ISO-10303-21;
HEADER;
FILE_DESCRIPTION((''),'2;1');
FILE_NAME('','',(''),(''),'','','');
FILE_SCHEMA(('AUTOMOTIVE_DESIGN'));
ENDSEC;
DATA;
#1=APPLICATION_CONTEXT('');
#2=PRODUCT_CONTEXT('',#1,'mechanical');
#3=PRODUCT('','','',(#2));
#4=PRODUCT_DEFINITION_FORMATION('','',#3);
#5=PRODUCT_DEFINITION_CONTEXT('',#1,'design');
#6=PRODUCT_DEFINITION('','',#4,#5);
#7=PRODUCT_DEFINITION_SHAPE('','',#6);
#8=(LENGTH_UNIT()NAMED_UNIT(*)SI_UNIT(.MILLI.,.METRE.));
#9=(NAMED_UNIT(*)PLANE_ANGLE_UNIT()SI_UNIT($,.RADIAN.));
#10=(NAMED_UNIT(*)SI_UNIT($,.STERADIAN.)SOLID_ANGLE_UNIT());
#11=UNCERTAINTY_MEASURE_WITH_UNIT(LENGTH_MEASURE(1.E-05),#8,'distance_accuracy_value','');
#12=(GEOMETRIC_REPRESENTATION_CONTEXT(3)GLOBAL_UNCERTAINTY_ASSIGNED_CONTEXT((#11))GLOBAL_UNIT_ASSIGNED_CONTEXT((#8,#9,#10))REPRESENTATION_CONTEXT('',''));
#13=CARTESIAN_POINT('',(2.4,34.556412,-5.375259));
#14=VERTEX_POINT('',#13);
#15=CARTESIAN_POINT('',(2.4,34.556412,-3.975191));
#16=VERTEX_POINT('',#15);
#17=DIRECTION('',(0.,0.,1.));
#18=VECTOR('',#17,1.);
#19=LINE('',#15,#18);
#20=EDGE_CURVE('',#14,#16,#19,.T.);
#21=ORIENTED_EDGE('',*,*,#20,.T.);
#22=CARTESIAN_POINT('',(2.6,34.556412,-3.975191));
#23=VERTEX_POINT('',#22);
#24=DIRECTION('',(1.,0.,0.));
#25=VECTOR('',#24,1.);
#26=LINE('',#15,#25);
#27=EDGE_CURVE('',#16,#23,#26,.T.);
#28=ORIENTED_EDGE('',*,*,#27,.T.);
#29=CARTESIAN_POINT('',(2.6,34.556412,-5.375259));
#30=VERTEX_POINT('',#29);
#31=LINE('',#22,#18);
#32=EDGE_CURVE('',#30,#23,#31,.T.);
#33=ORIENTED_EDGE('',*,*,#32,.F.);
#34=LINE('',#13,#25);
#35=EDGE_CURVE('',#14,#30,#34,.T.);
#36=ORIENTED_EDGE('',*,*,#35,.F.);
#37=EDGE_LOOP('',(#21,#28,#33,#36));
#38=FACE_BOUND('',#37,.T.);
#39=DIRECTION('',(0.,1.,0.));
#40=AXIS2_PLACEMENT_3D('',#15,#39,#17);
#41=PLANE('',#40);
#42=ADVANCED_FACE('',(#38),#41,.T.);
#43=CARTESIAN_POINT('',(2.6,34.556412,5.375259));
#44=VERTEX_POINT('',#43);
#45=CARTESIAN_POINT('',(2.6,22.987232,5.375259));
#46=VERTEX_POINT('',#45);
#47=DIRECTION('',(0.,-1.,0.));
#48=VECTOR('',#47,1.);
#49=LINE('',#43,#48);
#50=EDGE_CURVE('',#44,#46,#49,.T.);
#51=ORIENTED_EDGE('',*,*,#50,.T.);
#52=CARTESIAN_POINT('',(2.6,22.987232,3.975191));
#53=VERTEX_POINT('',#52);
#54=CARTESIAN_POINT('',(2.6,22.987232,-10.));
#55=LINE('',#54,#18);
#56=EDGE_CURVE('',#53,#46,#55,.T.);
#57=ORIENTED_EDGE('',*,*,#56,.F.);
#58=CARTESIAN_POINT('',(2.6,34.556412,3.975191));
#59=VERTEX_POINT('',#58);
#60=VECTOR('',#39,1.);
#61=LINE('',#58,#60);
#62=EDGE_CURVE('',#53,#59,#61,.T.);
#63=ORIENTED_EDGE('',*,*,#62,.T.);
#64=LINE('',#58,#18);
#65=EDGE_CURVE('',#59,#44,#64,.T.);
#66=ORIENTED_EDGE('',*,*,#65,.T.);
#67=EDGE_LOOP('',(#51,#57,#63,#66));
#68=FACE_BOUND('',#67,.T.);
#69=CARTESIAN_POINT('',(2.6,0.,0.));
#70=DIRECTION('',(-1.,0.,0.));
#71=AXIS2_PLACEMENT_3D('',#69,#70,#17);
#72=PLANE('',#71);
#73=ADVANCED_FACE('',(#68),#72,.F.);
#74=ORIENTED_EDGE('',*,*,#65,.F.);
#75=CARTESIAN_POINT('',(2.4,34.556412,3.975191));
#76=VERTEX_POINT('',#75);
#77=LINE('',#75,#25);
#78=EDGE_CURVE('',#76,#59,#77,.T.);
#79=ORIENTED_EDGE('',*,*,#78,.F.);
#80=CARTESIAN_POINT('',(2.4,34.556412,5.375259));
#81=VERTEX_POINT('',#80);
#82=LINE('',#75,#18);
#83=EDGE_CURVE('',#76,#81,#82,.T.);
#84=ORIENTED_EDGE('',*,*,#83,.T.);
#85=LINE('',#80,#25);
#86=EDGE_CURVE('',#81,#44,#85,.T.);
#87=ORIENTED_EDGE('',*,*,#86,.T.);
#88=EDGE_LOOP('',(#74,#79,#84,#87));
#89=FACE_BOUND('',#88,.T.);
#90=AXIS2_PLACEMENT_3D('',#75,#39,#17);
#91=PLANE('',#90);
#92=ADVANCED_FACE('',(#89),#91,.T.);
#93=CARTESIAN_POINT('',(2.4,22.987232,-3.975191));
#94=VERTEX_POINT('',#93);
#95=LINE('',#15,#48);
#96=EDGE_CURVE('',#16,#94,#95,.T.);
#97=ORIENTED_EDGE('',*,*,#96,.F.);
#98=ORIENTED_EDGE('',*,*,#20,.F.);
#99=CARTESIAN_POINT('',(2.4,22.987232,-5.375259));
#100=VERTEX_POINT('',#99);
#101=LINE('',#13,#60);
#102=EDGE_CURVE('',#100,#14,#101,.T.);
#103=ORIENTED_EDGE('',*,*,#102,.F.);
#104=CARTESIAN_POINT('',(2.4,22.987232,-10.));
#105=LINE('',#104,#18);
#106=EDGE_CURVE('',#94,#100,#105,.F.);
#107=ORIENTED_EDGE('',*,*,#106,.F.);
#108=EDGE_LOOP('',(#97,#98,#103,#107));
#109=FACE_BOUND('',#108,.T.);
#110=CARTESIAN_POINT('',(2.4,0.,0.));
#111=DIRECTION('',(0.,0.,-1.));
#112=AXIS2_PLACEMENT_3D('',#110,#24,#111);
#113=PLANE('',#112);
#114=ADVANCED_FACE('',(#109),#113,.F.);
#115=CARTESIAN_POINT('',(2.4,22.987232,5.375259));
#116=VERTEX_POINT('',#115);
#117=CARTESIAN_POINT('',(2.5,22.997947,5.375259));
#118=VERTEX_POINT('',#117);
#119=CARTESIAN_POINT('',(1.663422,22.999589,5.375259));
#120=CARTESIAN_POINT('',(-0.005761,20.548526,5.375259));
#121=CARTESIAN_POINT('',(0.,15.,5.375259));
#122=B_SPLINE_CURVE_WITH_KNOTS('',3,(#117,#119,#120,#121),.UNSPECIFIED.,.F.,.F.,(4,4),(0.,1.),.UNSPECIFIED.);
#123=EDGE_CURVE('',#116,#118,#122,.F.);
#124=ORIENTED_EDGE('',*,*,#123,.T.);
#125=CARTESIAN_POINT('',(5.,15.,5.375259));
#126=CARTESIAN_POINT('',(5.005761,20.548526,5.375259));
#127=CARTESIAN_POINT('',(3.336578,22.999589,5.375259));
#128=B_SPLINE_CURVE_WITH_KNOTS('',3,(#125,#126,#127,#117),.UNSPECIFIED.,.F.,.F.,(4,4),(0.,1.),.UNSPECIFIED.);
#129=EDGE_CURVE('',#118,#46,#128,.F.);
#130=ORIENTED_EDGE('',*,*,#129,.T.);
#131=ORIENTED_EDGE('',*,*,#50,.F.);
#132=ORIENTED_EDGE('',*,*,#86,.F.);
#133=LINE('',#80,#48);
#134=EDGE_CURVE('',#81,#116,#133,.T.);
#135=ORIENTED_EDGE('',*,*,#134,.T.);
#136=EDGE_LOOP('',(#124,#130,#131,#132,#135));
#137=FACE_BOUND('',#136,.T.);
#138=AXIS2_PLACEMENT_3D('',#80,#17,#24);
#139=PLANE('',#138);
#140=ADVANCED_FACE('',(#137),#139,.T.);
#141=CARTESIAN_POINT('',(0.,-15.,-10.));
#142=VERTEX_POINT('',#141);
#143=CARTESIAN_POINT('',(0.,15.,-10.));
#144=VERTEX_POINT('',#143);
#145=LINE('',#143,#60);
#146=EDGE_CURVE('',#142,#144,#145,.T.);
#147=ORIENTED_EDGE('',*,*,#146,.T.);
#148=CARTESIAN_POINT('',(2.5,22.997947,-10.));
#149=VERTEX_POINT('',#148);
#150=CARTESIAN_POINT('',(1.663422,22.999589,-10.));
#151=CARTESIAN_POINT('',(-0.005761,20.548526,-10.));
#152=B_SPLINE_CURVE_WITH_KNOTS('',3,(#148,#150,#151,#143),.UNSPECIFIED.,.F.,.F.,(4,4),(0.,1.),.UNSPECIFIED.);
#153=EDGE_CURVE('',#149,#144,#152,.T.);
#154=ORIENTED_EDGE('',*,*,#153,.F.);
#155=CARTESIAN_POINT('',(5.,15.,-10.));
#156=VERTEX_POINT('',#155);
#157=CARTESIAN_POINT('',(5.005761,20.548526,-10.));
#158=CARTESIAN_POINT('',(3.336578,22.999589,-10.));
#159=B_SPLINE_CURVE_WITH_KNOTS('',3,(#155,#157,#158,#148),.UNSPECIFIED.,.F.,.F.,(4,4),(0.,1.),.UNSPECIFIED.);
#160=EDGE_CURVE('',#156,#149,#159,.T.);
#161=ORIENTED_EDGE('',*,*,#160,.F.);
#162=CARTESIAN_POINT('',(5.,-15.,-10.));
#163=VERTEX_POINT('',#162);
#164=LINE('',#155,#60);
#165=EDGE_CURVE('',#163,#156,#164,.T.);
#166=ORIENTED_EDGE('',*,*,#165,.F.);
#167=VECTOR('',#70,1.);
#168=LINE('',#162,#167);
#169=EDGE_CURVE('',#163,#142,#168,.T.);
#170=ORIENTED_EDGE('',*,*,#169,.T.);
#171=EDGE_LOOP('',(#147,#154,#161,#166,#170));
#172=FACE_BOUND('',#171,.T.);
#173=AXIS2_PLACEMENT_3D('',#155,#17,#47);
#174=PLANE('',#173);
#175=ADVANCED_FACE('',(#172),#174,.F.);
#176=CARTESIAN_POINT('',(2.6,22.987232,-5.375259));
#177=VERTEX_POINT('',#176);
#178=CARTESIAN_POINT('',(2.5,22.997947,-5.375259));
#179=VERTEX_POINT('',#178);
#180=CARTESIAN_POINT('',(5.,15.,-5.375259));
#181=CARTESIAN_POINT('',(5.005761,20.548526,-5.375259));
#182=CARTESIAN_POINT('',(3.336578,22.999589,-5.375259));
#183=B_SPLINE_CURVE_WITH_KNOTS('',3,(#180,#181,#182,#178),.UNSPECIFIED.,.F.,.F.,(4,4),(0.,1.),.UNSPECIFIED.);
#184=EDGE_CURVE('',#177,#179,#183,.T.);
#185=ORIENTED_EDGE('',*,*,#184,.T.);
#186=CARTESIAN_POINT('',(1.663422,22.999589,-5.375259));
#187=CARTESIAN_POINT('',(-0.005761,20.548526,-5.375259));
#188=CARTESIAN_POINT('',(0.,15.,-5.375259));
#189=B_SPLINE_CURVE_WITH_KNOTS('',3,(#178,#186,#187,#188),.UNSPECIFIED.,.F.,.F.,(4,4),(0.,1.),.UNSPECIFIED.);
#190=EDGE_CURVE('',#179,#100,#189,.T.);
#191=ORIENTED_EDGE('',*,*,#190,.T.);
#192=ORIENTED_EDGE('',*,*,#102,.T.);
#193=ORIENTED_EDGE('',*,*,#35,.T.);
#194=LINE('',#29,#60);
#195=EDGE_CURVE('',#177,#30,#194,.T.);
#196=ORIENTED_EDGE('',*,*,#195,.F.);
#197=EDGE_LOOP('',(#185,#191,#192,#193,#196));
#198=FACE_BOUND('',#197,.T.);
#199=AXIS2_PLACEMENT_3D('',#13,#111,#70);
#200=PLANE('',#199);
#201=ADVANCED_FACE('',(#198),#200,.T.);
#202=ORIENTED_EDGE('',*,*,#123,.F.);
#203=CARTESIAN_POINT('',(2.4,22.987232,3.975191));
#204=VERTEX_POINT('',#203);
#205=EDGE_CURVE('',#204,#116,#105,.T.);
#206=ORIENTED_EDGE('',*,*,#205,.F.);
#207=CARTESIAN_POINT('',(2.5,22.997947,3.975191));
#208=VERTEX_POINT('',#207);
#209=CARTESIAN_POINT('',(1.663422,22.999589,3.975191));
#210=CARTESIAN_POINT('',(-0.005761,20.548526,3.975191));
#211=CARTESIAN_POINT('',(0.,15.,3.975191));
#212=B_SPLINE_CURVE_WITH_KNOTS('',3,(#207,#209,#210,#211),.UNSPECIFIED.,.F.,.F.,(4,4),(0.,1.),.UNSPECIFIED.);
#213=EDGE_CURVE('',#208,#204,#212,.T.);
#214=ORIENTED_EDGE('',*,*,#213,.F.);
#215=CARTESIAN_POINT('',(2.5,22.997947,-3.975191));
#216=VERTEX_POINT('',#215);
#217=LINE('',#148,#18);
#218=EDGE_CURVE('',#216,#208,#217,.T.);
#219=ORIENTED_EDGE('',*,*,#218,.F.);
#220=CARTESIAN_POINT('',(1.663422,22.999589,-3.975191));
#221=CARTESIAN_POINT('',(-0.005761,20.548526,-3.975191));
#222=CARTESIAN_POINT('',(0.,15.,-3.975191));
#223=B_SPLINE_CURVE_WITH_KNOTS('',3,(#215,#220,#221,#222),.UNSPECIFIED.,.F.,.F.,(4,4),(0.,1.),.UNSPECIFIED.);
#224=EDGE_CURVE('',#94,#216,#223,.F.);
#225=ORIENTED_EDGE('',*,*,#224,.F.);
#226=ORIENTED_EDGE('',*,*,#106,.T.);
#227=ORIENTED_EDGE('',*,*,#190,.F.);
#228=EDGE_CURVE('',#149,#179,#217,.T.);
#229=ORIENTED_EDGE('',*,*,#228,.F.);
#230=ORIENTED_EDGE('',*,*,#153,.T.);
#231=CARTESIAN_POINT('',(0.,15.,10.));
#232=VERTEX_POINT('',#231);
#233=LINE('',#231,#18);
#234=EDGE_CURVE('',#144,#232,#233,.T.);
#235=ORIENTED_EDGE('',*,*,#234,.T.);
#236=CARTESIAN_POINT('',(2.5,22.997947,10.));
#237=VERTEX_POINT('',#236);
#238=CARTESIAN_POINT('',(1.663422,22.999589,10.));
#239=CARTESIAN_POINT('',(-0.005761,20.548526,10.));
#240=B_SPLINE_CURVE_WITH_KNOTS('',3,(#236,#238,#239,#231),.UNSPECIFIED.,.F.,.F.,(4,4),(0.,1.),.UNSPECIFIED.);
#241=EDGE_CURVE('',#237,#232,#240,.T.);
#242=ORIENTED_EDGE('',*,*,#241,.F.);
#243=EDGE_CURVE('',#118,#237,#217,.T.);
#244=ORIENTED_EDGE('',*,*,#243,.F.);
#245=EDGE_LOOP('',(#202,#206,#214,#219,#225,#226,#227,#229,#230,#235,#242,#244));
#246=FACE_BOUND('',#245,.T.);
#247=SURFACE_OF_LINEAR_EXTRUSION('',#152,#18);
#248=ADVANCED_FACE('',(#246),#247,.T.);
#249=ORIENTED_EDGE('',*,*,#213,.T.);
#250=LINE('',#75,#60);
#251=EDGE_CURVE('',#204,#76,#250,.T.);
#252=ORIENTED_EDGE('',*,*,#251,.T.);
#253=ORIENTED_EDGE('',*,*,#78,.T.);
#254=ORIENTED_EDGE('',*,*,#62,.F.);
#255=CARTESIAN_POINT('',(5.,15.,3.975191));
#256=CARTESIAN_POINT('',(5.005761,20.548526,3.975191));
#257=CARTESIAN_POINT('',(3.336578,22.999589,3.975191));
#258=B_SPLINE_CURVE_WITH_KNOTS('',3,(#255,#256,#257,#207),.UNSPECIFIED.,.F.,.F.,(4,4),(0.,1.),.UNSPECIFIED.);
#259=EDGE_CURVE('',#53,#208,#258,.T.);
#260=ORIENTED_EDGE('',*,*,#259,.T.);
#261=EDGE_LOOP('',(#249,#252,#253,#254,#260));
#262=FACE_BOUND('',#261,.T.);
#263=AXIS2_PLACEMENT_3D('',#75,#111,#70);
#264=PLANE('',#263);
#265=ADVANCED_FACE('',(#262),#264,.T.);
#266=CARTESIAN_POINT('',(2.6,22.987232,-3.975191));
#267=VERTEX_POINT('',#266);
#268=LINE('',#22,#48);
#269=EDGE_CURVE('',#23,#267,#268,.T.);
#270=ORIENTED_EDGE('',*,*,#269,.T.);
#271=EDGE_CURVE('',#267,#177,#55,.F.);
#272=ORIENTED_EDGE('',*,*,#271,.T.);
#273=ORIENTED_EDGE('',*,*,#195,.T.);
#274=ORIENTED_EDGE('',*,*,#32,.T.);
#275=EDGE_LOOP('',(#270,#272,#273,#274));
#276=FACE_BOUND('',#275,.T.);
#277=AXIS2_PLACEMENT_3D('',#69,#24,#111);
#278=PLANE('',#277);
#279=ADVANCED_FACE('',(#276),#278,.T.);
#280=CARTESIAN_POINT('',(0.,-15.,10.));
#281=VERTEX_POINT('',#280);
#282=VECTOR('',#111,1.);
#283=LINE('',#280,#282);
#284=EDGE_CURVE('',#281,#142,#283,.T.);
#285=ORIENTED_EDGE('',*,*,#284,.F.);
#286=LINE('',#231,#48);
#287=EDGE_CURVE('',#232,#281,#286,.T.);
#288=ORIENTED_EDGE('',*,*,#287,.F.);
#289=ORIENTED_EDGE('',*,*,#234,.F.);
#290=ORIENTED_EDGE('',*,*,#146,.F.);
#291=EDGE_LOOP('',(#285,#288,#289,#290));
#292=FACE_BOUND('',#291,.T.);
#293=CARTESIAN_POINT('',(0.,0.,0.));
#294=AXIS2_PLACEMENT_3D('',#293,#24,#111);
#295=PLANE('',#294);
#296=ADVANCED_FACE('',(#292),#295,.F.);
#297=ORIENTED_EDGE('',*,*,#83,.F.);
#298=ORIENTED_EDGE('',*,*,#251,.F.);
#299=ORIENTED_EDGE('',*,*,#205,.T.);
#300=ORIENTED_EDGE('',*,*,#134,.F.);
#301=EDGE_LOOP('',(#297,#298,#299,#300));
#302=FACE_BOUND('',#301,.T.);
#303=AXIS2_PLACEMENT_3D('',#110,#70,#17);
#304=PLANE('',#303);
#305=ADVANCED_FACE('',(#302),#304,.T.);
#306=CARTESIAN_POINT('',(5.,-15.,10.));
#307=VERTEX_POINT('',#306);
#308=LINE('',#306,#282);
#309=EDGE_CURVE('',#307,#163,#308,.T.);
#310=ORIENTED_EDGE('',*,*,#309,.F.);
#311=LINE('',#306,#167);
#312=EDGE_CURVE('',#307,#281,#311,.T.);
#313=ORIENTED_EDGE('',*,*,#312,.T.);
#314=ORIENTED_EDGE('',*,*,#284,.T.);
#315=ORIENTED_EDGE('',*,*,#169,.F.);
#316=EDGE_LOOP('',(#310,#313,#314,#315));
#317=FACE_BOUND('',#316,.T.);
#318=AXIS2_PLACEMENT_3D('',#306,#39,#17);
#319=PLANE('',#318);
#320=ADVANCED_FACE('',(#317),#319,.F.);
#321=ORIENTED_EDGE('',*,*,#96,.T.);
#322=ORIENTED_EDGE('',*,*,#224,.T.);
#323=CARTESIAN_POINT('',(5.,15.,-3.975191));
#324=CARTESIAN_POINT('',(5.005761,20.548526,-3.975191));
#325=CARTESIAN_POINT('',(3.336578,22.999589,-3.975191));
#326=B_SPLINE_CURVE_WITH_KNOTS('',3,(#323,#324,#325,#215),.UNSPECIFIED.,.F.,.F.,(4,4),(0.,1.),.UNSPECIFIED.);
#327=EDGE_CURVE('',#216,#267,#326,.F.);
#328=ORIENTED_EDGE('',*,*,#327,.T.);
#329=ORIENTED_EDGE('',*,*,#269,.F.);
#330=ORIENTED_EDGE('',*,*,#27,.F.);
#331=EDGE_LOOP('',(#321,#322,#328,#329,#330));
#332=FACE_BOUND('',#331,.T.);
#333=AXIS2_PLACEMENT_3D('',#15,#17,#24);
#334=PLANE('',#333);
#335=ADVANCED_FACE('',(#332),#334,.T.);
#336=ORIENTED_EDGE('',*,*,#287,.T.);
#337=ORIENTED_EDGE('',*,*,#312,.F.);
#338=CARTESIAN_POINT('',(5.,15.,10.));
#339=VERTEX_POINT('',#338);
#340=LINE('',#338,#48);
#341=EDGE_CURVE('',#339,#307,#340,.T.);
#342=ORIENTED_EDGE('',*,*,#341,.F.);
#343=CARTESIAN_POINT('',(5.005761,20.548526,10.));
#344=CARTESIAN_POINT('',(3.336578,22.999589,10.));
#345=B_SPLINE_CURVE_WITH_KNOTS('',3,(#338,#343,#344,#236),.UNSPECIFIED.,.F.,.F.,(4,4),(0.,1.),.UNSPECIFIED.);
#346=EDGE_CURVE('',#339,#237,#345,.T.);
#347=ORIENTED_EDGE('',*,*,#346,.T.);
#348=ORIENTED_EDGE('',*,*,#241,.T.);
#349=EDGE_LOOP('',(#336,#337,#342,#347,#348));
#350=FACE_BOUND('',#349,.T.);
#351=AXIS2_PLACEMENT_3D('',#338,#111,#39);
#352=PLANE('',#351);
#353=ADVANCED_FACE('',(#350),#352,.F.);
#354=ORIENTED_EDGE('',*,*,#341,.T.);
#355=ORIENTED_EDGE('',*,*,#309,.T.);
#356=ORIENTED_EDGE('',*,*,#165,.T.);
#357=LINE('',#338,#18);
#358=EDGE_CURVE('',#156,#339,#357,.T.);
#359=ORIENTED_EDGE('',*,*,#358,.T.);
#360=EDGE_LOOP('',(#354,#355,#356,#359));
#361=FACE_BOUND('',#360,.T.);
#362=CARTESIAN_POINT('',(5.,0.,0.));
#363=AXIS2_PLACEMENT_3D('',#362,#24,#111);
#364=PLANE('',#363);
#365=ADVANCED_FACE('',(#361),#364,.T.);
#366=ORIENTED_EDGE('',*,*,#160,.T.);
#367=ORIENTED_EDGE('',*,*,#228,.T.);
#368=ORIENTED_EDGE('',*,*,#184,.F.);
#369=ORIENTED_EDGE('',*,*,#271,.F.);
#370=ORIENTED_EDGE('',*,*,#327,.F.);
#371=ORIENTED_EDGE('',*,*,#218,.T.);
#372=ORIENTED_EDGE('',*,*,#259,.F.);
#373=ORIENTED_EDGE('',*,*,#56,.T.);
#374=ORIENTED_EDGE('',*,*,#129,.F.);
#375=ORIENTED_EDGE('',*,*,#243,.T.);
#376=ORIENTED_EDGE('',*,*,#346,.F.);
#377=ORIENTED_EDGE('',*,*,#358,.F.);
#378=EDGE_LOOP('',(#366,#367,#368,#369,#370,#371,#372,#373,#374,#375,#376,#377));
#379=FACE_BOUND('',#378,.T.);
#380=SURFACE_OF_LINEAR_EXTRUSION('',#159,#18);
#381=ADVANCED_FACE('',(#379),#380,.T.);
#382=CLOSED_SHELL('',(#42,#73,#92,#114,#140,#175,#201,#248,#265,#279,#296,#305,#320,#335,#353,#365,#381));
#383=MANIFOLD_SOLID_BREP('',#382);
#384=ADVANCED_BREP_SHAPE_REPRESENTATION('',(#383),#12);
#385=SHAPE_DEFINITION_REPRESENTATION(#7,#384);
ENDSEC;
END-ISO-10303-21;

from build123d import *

# Parameters (mm, degrees)
SKETCH1_W                = 20
SKETCH1_H                = 30
BOSS_EXTRUDE1_DEPTH      = 5
BOSS_EXTRUDE2_DEPTH      = 10
BOSS_EXTRUDE2_DEPTH_BACK = 10
BOSS_EXTRUDE3_DEPTH      = 0.1
BOSS_EXTRUDE3_DEPTH_BACK = 0.1
SKETCH4_W                = 1.400067445
SKETCH4_H                = 17.511954704


with BuildPart() as part:
    # Sketch1 → Boss-Extrude1 (new body)
    with BuildSketch(Plane(origin=(0, 0, 0), x_dir=(0, 0, -1), z_dir=(1, 0, 0))):
        Rectangle(SKETCH1_W, SKETCH1_H)
    extrude(amount=BOSS_EXTRUDE1_DEPTH)

    # Sketch3 → Boss-Extrude2 (add, two sides: drawn at the far end of the back side and taken through both)
    with BuildSketch(Plane.XY.offset(-BOSS_EXTRUDE2_DEPTH_BACK)):
        with BuildLine():
            Line((0, 15), (5, 15))
            add(Edge.make_bspline(
                [(2.5, 22.997947181), (3.336578347, 22.9995894), (5.005761453, 20.548525939), (5, 15)],
                knots=[0, 0, 0, 0, 1, 1, 1, 1], degree=3))
            add(Edge.make_bspline(
                [(2.5, 22.997947181), (1.663421653, 22.9995894), (-0.005761453, 20.548525939), (0, 15)],
                knots=[0, 0, 0, 0, 1, 1, 1, 1], degree=3))
        make_face()
    extrude(amount=BOSS_EXTRUDE2_DEPTH + BOSS_EXTRUDE2_DEPTH_BACK)

    # Sketch4 → Boss-Extrude3 (add, two sides: drawn at the far end of the back side and taken through both)
    with BuildSketch(Plane(origin=(2.5, 0, 0), x_dir=(0, 0, -1), z_dir=(1, 0, 0)).offset(-BOSS_EXTRUDE3_DEPTH_BACK)):
        with Locations((4.675225217, 25.800434354)):
            Rectangle(SKETCH4_W, SKETCH4_H)
        with Locations((-4.675225217, 25.800434354)):
            Rectangle(SKETCH4_W, SKETCH4_H)
    extrude(amount=BOSS_EXTRUDE3_DEPTH + BOSS_EXTRUDE3_DEPTH_BACK)


solid = part.part
